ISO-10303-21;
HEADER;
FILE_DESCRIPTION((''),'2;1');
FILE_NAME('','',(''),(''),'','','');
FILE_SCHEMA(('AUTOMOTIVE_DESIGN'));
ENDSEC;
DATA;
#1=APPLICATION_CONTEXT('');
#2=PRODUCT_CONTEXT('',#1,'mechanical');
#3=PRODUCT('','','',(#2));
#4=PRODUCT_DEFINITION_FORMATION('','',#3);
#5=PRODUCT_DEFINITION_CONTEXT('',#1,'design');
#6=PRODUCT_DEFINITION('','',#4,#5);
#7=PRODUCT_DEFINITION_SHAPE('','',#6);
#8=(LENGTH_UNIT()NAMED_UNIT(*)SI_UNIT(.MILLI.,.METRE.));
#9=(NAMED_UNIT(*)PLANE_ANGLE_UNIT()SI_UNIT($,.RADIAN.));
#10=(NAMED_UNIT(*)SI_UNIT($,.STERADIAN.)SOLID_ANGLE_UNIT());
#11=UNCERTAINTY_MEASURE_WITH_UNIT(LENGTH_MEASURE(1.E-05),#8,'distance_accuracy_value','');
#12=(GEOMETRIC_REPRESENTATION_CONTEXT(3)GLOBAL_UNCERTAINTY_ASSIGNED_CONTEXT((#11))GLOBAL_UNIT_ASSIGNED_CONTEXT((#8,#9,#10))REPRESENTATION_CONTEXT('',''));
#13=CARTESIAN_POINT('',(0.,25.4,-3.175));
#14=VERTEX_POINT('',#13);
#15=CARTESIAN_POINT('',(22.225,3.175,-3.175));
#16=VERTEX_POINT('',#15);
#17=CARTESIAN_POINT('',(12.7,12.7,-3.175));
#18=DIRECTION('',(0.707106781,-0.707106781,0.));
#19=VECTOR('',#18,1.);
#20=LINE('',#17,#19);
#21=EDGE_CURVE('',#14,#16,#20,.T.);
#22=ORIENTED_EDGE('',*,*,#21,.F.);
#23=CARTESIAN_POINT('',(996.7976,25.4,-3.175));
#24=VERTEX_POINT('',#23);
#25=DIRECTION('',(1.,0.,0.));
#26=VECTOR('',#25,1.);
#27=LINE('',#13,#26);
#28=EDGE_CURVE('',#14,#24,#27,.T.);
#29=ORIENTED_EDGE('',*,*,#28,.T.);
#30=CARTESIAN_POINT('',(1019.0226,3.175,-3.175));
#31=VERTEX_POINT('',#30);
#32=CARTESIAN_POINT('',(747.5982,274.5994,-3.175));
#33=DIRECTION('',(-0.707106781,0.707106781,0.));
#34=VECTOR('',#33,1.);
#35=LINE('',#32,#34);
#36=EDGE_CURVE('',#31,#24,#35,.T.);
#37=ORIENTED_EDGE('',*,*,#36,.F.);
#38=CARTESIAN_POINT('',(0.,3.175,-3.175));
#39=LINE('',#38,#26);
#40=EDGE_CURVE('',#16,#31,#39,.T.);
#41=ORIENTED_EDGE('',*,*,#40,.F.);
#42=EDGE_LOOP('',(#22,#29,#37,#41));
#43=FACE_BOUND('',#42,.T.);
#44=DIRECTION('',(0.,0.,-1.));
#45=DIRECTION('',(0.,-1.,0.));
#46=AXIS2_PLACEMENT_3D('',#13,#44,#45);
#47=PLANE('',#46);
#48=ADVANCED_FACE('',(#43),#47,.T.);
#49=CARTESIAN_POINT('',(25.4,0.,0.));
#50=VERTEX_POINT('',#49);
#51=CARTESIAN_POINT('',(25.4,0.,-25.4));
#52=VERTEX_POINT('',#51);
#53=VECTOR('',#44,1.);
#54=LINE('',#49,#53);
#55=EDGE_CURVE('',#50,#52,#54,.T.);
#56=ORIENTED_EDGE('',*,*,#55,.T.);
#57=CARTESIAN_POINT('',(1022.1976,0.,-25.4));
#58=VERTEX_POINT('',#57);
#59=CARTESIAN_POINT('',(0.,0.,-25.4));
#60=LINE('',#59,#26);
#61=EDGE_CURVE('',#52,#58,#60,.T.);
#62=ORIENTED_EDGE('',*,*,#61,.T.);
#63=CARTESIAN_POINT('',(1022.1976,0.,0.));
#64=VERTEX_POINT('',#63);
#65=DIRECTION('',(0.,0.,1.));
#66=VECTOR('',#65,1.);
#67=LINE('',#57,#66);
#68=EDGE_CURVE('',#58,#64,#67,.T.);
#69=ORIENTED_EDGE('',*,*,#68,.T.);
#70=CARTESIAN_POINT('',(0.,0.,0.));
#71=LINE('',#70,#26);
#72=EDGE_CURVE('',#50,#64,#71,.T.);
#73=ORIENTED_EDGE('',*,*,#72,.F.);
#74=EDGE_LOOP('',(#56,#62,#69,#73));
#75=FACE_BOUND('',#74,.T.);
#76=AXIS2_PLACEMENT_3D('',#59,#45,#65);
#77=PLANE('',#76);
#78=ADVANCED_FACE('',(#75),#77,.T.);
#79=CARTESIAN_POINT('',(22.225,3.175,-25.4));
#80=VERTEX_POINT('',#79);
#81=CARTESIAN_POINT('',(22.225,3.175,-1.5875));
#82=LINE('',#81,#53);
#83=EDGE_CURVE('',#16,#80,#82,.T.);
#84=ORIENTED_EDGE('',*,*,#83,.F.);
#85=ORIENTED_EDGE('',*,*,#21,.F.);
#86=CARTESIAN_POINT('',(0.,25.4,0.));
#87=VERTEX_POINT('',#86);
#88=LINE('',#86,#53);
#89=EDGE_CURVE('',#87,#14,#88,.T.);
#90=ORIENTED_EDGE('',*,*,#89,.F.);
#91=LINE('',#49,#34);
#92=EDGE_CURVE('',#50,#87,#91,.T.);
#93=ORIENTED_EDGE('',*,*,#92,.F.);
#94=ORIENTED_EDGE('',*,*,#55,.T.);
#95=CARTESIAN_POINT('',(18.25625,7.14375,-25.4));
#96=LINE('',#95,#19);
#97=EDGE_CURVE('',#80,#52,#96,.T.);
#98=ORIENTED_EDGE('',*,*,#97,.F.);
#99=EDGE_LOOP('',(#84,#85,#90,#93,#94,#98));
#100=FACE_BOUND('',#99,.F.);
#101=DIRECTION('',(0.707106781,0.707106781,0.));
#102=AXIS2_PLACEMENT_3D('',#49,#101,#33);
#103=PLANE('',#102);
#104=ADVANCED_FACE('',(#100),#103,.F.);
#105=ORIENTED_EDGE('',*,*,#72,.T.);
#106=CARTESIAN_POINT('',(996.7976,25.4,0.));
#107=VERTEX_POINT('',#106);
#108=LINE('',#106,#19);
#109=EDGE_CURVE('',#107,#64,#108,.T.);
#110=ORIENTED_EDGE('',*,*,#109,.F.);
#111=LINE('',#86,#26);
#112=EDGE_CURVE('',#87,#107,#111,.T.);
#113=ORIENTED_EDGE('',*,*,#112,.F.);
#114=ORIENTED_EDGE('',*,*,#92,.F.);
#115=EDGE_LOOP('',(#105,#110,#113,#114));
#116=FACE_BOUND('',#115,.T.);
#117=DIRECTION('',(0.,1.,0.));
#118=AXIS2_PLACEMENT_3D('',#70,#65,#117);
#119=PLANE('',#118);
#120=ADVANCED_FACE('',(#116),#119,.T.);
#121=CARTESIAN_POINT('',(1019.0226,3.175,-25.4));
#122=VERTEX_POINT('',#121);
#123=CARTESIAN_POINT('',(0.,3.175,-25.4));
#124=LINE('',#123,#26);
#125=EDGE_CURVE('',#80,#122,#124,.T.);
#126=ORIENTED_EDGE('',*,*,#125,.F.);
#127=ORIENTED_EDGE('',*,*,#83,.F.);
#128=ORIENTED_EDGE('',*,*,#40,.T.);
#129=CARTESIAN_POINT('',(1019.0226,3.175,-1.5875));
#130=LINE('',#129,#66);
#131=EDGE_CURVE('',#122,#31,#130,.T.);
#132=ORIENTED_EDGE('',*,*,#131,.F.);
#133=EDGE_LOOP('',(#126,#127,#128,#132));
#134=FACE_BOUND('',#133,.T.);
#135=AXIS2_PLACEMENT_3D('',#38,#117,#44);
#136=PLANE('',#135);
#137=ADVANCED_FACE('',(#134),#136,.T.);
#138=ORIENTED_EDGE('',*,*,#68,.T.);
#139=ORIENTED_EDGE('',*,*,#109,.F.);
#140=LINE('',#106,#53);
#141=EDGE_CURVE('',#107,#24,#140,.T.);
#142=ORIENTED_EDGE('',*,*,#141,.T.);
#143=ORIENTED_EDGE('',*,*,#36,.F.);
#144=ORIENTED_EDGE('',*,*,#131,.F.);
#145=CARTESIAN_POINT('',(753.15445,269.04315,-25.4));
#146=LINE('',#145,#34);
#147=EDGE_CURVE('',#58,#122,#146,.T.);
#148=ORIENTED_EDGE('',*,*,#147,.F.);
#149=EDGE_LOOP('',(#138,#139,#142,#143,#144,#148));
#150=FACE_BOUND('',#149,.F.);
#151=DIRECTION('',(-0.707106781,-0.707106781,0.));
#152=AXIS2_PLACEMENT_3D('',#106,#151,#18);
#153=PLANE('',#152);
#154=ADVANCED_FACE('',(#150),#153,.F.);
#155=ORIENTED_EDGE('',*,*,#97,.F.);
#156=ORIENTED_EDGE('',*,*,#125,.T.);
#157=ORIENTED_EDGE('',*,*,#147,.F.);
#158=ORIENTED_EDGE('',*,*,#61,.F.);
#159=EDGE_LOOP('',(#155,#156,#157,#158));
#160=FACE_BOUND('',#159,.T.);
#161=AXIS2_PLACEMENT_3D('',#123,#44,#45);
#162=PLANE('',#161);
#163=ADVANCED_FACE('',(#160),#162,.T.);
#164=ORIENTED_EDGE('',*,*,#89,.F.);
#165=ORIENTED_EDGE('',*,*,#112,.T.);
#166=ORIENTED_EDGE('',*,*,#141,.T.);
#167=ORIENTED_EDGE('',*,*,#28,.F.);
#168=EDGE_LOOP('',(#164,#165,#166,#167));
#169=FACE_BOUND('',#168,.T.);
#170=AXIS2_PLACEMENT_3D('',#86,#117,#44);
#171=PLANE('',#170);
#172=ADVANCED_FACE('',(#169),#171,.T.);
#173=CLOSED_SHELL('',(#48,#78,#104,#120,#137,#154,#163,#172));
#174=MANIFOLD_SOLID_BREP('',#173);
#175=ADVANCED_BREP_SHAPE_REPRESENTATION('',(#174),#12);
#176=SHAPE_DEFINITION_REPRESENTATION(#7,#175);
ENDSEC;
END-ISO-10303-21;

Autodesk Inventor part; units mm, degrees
ref_plane "YZ Plane" through (0, 0, 0) normal (1, 0, 0) x (0, 1, 0)
ref_plane "XZ Plane" through (0, 0, 0) normal (0, 1, 0) x (-1, 0, 0)
ref_plane "XY Plane" through (0, 0, 0) normal (0, 0, 1) x (1, 0, 0)
sketch "Sketch1" plane through (0, 0, 0) normal (1, 0, 0) x (0, 1, 0)
  line L0 (0, 0) -> (25.4, 0)
  line L1 (25.4, 0) -> (25.4, -3.175)
  line L2 (25.4, -3.175) -> (3.175, -3.175)
  line L3 (3.175, -3.175) -> (3.175, -25.4)
  line L4 (3.175, -25.4) -> (0, -25.4)
  line L5 (0, -25.4) -> (0, 0)
  dimension "d0" = 25.4
  dimension "d1" = 3.175
  dimension "d2" = 22.225
  dimension "d3" = 22.225
  dimension "d4" = 3.175
extrude "Extrusion1" add sketch "Sketch1" along normal blind 1022.1976
sketch "Sketch3" plane through (0, 0, 0) normal (0, 0, 1) x (1, 0, 0)
  line L0 (1022.1976, 0) -> (1022.1976, 25.4)
  line L1 (1022.1976, 25.4) -> (996.7976, 25.4)
  line L2 (996.7976, 25.4) -> (1022.1976, 0)
  line L3 (0, 25.4) -> (0, 0)
  line L4 (0, 0) -> (0, 25.4) projected
  line L5 (0, 0) -> (25.4, 0)
  line L6 (25.4, 0) -> (0, 25.4)
  dimension "d11" = 25.4
  dimension "d12" = 25.4
  dimension "d13" = 45
extrude "Extrusion3" cut sketch "Sketch3" against normal blind 1022.1976
properties part number "Brace Back 45"
